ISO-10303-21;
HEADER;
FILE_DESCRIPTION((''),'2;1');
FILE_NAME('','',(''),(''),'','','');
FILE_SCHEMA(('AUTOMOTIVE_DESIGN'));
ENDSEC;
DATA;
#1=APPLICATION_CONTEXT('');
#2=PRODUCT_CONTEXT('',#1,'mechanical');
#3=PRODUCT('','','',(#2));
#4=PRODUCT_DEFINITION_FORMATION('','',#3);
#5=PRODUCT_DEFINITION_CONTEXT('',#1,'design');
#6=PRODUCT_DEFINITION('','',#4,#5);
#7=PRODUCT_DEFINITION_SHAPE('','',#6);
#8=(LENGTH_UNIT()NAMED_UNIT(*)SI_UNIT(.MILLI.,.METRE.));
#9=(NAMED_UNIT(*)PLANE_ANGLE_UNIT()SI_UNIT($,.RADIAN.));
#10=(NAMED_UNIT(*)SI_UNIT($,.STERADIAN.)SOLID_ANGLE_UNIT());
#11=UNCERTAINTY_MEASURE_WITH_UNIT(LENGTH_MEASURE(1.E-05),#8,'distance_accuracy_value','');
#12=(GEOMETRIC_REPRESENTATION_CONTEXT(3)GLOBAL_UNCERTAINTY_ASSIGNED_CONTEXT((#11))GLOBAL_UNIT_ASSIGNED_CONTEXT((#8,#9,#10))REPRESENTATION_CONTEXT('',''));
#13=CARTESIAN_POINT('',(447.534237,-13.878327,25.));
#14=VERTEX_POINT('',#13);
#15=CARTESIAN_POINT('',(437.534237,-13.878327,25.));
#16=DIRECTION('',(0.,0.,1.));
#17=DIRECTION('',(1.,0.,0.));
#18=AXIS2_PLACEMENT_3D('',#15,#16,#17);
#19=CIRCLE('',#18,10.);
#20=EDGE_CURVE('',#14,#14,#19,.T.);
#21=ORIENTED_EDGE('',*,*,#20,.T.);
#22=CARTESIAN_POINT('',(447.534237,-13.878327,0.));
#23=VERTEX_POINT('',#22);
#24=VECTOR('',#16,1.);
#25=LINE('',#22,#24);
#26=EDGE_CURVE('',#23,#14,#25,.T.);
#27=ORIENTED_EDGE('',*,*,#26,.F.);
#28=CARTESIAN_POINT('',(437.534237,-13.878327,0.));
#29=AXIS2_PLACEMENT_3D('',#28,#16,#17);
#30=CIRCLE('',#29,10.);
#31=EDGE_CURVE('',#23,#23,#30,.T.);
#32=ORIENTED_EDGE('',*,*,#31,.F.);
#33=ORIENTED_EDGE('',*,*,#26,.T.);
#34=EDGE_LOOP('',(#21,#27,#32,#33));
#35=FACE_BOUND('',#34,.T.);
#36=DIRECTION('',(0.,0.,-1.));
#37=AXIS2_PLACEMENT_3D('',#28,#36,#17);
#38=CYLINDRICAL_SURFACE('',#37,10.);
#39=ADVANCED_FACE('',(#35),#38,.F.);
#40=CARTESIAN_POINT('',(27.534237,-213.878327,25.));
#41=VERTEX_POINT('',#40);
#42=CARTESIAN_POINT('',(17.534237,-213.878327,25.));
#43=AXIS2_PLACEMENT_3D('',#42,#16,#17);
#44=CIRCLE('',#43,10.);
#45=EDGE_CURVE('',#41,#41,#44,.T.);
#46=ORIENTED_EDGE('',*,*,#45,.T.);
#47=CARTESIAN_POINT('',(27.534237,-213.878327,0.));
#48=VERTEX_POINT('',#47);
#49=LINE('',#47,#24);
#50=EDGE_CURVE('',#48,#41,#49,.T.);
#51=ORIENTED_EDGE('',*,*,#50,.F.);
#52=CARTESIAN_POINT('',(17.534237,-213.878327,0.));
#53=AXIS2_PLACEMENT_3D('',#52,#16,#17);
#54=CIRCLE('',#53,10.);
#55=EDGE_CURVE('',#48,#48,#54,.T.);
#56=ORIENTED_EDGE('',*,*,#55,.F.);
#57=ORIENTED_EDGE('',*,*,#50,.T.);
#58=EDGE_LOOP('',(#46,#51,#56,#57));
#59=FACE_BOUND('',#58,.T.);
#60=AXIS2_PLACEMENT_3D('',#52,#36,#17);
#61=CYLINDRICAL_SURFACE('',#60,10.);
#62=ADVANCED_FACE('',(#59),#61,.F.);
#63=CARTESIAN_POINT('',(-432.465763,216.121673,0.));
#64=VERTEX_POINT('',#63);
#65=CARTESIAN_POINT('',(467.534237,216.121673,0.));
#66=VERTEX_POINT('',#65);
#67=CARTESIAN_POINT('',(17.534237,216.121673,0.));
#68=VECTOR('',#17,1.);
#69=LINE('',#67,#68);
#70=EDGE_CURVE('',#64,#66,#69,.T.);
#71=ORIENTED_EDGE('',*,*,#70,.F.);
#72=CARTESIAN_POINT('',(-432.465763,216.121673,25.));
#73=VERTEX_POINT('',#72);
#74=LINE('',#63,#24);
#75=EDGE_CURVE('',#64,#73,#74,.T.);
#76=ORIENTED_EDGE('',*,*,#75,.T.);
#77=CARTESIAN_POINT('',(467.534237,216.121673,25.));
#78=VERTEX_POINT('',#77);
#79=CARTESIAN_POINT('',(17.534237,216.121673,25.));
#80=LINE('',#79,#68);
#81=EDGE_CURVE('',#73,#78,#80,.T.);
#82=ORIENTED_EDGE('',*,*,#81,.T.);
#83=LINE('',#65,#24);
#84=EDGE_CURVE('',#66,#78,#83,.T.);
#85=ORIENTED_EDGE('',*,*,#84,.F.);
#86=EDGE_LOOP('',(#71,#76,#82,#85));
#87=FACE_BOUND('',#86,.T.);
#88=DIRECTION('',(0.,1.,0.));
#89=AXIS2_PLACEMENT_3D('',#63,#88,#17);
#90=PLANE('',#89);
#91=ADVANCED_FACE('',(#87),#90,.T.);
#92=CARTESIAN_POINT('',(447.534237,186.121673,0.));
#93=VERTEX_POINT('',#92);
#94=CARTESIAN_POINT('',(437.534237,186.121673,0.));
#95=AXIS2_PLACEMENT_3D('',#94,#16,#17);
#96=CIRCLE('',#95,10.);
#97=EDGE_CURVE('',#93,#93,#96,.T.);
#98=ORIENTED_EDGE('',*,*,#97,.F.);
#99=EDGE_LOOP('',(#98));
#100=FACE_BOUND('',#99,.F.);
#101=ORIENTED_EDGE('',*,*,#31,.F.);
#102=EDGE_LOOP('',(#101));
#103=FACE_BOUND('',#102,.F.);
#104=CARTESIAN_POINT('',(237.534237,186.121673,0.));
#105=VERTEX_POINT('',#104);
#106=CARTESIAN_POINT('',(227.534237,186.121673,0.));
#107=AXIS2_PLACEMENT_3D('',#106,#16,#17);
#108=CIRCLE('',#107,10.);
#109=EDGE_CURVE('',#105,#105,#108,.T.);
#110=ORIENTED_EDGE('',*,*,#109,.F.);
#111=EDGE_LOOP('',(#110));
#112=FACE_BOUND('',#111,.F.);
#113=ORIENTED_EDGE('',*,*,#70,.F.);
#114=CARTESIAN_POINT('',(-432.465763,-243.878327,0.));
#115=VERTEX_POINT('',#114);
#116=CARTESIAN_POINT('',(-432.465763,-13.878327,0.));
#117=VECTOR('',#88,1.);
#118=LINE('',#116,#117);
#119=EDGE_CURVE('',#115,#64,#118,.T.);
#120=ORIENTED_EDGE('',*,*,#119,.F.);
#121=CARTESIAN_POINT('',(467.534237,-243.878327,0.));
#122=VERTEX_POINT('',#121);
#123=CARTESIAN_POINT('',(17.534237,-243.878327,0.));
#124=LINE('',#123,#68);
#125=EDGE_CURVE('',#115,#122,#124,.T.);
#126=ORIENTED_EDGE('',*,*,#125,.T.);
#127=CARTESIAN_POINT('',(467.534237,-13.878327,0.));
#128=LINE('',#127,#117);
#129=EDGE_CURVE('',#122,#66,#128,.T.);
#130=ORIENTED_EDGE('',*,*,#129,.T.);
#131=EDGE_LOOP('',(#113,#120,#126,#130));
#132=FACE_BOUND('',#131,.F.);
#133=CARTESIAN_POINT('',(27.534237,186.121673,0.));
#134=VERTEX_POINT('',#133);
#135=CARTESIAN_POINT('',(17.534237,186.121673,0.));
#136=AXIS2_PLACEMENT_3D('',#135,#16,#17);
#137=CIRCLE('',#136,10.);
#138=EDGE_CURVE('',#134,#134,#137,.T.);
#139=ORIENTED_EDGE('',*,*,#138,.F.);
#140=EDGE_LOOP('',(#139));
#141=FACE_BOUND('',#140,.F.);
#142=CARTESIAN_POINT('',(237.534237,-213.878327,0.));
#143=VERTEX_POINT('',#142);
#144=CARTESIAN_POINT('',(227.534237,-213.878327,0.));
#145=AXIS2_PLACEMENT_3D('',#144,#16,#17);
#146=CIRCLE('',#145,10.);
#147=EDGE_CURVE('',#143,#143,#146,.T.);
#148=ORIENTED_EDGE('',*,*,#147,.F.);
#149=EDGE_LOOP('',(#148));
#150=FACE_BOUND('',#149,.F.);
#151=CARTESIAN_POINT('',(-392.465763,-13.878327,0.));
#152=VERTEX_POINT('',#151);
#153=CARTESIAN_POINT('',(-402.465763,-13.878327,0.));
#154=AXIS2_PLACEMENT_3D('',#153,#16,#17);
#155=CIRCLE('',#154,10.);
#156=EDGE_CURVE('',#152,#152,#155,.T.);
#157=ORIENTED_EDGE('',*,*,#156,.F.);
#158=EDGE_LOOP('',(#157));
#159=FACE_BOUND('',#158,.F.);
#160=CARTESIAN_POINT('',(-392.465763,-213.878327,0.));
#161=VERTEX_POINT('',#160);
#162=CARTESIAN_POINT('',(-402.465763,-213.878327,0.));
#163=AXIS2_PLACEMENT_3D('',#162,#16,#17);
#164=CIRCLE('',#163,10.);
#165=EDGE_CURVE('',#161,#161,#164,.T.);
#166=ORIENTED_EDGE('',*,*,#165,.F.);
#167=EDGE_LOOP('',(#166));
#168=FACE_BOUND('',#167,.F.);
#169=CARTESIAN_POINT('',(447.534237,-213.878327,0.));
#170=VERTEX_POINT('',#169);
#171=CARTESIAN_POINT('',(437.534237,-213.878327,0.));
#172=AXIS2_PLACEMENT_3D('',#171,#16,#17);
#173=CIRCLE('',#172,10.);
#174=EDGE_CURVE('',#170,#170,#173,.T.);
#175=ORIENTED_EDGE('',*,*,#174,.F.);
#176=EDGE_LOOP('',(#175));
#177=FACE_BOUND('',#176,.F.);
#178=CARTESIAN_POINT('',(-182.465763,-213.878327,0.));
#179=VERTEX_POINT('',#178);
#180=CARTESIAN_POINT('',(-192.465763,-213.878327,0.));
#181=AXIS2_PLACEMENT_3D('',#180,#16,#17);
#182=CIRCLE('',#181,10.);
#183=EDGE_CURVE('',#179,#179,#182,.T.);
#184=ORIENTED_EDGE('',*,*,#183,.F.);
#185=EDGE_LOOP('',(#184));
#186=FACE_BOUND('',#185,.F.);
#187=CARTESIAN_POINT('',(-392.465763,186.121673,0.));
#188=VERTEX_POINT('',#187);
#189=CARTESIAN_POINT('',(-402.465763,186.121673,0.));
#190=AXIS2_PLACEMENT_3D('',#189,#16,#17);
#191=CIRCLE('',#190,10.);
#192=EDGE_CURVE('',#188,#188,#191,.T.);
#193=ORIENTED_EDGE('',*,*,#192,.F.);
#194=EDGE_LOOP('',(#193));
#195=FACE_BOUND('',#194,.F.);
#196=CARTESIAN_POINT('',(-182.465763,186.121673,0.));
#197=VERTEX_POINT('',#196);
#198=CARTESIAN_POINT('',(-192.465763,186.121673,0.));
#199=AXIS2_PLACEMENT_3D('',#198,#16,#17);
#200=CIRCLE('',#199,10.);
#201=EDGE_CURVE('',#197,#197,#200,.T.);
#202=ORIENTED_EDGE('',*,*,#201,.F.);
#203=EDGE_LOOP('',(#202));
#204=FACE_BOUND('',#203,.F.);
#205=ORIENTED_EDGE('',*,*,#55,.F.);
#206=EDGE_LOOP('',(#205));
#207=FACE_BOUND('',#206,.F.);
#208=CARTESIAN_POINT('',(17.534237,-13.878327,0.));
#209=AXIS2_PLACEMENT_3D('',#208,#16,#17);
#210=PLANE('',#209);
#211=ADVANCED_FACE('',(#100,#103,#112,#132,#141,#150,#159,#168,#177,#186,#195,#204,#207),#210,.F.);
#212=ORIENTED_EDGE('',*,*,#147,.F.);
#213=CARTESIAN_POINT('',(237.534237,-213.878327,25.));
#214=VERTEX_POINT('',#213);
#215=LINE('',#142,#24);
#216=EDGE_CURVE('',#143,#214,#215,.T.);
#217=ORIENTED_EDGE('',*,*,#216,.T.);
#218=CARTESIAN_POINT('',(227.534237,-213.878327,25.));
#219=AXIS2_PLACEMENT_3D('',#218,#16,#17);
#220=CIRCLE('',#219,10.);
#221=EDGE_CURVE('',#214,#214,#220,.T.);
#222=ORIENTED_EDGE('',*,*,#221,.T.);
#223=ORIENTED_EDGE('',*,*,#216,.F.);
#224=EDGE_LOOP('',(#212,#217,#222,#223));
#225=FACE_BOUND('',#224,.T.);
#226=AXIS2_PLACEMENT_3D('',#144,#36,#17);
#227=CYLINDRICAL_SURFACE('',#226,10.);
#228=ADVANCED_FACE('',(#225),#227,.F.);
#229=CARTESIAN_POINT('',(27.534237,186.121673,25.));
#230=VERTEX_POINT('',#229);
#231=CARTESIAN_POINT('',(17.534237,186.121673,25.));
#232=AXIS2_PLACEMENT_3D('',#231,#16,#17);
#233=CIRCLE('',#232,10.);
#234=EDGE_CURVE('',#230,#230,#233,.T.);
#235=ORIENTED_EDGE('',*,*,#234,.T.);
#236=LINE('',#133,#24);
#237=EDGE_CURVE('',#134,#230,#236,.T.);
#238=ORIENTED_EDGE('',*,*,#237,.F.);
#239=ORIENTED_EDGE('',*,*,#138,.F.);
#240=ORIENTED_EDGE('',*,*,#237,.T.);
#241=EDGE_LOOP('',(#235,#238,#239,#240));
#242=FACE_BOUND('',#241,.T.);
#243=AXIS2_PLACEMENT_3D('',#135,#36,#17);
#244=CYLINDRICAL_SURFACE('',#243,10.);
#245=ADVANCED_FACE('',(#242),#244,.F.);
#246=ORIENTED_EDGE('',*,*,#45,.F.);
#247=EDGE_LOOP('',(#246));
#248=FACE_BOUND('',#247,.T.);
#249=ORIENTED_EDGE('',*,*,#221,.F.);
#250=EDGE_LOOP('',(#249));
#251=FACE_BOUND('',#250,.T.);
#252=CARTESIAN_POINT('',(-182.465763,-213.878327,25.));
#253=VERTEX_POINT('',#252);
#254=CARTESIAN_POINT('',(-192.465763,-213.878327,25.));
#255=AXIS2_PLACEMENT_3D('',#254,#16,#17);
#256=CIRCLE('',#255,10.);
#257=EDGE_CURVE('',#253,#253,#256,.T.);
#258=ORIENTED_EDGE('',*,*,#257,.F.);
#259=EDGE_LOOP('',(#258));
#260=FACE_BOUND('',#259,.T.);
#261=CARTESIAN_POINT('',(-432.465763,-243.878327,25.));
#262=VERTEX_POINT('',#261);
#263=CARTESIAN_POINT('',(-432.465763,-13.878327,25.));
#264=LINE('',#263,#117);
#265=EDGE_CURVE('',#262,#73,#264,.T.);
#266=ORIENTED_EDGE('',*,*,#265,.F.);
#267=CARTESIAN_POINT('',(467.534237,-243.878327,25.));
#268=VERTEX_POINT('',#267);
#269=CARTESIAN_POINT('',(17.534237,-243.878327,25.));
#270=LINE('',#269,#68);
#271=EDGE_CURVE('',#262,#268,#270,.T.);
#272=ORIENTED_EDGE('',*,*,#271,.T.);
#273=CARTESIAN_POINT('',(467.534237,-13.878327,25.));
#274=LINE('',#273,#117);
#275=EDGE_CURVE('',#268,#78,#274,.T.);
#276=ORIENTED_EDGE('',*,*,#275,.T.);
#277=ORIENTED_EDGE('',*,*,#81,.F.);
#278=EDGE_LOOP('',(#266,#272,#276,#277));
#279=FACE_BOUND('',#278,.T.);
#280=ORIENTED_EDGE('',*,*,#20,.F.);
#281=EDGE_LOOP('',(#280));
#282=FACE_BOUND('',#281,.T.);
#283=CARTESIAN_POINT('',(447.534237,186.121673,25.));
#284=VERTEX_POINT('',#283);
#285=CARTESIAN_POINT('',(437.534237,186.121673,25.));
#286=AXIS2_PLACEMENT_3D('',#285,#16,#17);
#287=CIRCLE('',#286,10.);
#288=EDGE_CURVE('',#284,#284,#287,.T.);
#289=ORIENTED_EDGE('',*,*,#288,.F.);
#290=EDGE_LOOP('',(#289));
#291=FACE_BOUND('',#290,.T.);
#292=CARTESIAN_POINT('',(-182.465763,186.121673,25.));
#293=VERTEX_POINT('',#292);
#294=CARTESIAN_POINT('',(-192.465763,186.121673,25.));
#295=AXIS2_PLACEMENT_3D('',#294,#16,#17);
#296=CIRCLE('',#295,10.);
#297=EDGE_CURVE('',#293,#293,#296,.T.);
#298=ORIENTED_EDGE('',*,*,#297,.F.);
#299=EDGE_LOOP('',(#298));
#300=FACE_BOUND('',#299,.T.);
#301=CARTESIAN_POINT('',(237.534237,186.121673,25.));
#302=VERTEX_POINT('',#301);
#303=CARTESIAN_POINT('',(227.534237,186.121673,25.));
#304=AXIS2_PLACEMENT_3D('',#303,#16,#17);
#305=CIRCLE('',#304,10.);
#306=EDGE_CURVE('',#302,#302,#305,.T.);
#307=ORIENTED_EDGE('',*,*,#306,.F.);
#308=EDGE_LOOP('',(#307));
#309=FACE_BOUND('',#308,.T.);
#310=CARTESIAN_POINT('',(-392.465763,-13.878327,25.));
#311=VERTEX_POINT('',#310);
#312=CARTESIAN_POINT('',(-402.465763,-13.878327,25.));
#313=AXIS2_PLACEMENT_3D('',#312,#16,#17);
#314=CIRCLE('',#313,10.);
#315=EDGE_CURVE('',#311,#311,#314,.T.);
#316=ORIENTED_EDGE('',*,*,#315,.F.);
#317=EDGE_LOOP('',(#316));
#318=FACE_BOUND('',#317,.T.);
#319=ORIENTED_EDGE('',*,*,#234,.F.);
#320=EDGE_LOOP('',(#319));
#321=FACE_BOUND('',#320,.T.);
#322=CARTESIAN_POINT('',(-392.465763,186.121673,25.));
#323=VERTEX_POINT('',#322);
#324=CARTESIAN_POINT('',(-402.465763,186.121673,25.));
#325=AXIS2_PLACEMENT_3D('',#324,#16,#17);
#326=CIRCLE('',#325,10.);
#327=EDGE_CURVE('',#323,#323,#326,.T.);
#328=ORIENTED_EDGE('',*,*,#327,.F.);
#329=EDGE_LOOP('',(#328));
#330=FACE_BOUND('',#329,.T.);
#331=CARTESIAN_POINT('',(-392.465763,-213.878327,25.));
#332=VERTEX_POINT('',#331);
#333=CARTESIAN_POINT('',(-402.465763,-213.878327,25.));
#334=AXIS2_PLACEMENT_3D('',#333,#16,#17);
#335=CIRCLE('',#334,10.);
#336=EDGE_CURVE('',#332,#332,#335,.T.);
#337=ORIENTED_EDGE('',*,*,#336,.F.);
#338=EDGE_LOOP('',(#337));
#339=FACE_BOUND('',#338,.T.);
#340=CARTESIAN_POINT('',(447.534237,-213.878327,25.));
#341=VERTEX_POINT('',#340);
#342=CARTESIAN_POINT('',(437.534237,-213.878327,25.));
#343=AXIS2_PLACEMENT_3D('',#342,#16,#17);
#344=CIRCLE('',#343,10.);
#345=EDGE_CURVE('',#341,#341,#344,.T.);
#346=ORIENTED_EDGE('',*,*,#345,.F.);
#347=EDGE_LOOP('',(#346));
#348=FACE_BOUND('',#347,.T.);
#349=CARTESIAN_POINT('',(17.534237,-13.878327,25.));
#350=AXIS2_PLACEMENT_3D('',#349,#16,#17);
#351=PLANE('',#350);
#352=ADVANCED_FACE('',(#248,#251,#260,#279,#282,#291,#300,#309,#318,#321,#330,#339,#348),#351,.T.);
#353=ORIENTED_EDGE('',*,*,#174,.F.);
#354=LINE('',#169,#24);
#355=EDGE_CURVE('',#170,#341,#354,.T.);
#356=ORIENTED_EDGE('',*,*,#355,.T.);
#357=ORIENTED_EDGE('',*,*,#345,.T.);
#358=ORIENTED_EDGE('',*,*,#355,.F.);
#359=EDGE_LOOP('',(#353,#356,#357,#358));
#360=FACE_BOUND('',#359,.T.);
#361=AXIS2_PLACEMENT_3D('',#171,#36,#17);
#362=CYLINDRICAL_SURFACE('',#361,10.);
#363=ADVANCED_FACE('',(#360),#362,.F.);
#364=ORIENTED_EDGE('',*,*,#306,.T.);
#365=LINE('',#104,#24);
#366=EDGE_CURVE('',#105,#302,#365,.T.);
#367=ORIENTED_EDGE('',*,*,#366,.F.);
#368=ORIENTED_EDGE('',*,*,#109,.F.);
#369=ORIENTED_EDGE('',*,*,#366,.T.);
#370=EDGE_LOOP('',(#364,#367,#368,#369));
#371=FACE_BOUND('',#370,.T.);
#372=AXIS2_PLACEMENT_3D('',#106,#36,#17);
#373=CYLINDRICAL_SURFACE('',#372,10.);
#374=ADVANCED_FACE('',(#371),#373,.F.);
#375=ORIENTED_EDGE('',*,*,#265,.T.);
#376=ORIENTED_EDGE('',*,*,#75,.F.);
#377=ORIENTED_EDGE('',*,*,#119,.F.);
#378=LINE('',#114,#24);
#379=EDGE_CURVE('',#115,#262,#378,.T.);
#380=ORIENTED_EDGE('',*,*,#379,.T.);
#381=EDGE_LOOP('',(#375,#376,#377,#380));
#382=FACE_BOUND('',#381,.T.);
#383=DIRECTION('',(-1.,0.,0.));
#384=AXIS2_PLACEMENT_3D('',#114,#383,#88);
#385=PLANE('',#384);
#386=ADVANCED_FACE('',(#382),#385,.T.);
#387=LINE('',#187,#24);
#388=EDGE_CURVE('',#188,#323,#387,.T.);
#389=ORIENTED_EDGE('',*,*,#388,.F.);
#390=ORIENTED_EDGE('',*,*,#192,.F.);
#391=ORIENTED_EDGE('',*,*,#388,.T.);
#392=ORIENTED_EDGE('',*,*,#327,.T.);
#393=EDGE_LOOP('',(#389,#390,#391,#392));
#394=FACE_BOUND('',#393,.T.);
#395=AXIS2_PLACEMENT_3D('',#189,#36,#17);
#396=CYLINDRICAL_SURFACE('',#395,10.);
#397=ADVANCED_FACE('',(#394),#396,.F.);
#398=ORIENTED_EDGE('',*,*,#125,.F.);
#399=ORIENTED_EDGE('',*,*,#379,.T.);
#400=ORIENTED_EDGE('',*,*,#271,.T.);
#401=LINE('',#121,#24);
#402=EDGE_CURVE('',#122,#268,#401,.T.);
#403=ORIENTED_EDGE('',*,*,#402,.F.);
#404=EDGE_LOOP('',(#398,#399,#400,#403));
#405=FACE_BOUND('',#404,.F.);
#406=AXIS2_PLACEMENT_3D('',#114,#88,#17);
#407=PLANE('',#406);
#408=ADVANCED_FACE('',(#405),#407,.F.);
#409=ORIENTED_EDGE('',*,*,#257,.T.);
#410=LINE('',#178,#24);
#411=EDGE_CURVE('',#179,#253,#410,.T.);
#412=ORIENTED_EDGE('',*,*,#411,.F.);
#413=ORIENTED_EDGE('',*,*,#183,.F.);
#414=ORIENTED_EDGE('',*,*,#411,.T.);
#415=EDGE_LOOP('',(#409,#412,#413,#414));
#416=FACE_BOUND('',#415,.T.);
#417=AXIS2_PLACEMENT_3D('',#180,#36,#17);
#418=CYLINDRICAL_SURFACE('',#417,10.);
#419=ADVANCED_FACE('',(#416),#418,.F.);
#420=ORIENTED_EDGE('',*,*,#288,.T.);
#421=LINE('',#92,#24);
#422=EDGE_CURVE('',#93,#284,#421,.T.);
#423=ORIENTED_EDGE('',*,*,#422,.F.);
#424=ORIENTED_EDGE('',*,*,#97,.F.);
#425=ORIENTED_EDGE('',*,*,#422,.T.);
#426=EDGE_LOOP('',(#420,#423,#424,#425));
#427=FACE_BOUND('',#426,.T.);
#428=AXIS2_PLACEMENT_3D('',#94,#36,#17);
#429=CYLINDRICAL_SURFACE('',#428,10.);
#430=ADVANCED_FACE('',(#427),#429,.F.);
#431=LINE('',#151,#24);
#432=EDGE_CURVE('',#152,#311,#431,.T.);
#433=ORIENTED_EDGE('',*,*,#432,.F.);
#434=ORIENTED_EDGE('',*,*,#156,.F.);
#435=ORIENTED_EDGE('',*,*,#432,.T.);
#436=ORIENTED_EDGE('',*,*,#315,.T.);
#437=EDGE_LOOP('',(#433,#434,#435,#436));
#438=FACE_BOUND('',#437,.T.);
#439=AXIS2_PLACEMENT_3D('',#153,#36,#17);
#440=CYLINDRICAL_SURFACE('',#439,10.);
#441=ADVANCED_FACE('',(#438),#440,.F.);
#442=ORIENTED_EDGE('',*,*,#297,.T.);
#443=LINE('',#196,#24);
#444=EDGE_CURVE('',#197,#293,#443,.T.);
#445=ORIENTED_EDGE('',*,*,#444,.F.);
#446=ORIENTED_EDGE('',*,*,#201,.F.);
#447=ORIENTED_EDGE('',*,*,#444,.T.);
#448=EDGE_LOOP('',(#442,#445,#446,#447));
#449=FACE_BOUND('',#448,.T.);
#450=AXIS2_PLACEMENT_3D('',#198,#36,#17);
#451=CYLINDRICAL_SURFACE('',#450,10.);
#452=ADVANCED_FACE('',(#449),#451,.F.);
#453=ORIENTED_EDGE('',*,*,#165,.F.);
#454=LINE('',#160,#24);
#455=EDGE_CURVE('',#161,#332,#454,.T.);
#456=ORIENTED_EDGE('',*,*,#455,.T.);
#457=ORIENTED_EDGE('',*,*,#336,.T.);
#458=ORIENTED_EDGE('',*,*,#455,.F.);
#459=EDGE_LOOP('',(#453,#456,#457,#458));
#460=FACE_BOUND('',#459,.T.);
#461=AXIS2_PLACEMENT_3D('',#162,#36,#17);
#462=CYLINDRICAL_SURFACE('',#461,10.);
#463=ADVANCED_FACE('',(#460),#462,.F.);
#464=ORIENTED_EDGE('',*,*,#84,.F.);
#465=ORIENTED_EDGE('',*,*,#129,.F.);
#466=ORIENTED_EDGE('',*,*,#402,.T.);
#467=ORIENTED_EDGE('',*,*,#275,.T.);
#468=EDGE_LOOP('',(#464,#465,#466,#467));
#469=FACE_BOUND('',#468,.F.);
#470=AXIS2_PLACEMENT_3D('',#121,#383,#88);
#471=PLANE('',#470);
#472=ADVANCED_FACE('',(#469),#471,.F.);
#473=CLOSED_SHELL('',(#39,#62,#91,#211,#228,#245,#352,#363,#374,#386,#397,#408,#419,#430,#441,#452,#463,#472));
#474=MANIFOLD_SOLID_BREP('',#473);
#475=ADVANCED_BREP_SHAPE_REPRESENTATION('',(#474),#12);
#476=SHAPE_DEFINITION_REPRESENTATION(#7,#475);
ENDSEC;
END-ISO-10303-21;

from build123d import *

# Parameters (mm, degrees)
F0_W     = 900
F0_H     = 460
F0_R     = 10
F1_DEPTH = 25


with BuildPart() as f1:
    # F0 (on Top) → F1 (new body)
    with BuildSketch(Plane.XY):
        with Locations((17.534237, -13.878327)):
            Rectangle(F0_W, F0_H)
        with Locations((-402.465763, -213.878327)):
            Circle(F0_R, mode=Mode.SUBTRACT)
        with Locations((-192.465763, -213.878327)):
            Circle(F0_R, mode=Mode.SUBTRACT)
        with Locations((17.534237, -213.878327)):
            Circle(F0_R, mode=Mode.SUBTRACT)
        with Locations((227.534237, -213.878327)):
            Circle(F0_R, mode=Mode.SUBTRACT)
        with Locations((437.534237, -213.878327)):
            Circle(F0_R, mode=Mode.SUBTRACT)
        with Locations((-402.465763, -13.878327)):
            Circle(F0_R, mode=Mode.SUBTRACT)
        with Locations((-402.465763, 186.121673)):
            Circle(F0_R, mode=Mode.SUBTRACT)
        with Locations((-192.465763, 186.121673)):
            Circle(F0_R, mode=Mode.SUBTRACT)
        with Locations((17.534237, 186.121673)):
            Circle(F0_R, mode=Mode.SUBTRACT)
        with Locations((437.534237, -13.878327)):
            Circle(F0_R, mode=Mode.SUBTRACT)
        with Locations((227.534237, 186.121673)):
            Circle(F0_R, mode=Mode.SUBTRACT)
        with Locations((437.534237, 186.121673)):
            Circle(F0_R, mode=Mode.SUBTRACT)
    extrude(amount=F1_DEPTH)


solid = f1.part
